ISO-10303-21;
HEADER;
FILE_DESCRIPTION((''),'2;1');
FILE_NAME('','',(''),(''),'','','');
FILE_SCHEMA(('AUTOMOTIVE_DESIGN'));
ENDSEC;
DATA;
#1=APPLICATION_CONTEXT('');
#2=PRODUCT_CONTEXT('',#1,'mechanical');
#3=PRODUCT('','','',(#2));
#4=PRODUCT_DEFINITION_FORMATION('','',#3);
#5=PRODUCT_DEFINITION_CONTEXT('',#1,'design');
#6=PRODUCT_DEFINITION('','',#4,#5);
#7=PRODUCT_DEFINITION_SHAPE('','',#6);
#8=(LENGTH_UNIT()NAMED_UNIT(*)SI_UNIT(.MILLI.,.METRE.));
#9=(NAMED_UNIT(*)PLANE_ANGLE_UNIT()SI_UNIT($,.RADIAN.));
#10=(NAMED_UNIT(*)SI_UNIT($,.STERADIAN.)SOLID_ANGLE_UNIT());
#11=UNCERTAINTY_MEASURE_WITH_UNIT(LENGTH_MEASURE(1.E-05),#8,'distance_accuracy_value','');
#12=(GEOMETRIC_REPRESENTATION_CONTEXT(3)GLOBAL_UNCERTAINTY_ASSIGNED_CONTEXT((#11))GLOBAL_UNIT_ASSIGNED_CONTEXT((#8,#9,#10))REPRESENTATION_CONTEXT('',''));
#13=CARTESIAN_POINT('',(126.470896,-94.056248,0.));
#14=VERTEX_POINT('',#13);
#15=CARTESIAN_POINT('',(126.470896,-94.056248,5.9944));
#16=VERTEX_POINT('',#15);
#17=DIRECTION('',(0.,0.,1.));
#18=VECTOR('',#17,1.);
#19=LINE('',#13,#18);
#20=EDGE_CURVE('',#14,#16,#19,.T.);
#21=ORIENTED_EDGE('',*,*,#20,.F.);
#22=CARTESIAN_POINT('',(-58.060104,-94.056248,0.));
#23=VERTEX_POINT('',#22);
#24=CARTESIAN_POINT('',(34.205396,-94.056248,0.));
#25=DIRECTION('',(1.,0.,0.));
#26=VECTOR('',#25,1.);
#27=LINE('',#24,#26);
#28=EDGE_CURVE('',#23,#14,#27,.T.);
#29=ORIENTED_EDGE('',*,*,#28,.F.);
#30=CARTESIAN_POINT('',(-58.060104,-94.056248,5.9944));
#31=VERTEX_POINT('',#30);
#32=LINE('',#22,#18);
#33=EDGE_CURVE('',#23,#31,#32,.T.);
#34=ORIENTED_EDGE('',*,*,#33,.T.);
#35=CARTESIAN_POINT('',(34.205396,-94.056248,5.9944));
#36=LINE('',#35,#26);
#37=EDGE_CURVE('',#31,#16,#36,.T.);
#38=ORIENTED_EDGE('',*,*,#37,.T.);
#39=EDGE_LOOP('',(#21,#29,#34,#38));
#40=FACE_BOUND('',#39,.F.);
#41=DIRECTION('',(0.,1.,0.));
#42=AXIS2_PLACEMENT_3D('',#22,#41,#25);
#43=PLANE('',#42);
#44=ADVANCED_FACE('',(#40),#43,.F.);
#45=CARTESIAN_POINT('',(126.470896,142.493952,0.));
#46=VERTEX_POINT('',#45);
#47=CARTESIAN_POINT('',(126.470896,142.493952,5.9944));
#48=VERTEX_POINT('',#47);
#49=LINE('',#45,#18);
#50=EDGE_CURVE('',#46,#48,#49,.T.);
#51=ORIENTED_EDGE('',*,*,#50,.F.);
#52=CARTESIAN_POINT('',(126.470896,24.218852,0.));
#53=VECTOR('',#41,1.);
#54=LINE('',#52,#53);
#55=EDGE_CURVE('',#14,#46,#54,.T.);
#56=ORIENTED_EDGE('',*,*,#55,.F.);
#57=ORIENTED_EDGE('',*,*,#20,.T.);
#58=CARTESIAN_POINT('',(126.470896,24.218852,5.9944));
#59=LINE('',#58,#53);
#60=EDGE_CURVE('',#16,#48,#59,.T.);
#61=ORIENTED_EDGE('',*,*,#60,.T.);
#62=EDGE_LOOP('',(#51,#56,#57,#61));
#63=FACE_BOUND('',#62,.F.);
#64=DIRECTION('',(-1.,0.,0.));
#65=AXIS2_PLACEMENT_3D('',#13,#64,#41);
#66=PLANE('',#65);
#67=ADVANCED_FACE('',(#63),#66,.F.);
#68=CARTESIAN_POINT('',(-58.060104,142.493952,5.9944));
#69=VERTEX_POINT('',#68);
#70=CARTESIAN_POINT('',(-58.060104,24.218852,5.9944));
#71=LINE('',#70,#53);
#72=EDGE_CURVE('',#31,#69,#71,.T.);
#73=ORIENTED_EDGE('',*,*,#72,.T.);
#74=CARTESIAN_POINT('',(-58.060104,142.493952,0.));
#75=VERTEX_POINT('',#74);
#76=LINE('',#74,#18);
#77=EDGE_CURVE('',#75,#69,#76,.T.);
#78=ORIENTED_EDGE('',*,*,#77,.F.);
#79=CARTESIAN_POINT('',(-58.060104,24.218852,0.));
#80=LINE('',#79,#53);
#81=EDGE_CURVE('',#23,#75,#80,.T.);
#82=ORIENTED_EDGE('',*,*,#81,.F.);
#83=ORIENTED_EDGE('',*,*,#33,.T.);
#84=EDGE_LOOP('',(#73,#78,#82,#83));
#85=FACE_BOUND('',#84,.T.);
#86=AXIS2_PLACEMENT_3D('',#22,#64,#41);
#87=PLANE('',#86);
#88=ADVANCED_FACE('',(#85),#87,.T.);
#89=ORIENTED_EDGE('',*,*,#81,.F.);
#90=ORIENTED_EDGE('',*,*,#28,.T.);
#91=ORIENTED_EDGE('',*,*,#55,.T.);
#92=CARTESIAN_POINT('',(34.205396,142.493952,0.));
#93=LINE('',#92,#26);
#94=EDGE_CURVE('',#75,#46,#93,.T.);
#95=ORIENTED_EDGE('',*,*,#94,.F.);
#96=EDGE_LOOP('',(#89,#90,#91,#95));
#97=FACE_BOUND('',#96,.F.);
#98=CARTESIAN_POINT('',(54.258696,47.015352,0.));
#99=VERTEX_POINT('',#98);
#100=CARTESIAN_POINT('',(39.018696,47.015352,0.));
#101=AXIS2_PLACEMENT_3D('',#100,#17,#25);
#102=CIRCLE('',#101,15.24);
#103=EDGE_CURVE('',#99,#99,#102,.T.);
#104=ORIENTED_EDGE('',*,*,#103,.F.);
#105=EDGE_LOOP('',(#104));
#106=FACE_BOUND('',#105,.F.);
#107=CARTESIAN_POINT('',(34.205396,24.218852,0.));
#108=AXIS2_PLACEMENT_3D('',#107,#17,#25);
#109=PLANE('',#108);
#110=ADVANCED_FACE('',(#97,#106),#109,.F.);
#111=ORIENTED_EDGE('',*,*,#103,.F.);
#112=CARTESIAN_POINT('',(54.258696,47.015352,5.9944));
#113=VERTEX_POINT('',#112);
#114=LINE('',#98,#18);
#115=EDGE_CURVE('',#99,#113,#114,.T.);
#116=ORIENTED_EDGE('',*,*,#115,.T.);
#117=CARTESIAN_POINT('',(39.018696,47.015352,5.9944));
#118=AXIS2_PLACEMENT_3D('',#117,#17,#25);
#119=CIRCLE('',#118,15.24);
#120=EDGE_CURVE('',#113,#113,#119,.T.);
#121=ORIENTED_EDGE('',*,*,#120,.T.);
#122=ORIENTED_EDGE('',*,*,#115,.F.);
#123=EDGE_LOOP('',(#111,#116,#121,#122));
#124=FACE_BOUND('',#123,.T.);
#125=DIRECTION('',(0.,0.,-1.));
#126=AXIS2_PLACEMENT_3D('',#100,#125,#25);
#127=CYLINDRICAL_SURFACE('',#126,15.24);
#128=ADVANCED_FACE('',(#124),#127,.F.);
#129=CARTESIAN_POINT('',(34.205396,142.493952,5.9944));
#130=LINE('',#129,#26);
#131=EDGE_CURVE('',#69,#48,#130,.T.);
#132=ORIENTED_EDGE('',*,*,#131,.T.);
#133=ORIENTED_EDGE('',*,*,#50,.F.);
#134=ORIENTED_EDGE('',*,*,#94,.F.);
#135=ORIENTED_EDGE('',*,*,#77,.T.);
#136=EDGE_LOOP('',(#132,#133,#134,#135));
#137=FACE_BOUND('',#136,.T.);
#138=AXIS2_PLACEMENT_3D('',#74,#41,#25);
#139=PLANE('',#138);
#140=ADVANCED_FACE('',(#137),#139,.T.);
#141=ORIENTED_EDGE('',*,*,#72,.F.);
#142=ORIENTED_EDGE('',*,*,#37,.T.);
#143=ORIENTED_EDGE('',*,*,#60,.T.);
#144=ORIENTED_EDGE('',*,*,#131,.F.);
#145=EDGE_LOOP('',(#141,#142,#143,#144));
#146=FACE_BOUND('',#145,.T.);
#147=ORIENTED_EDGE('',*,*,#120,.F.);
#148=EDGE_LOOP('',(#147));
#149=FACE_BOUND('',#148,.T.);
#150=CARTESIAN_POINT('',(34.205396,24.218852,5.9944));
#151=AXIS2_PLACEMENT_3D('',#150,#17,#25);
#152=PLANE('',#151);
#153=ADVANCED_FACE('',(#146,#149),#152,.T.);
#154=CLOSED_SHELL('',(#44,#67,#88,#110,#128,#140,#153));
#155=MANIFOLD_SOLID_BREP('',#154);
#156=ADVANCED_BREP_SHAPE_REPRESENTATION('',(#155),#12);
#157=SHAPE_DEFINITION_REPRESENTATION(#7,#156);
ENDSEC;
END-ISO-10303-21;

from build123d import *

# Parameters (mm, degrees)
SKETCH_W      = 184.531
SKETCH_H      = 236.5502
SKETCH_R      = 15.24
EXTRUDE_DEPTH = 5.9944


with BuildPart() as part:
    # Sketch → Extrude (new body)
    with BuildSketch(Plane.XY):
        with Locations((34.205396, 24.218852)):
            Rectangle(SKETCH_W, SKETCH_H)
        with Locations((39.018696, 47.015352)):
            Circle(SKETCH_R, mode=Mode.SUBTRACT)
    extrude(amount=EXTRUDE_DEPTH)


solid = part.part
